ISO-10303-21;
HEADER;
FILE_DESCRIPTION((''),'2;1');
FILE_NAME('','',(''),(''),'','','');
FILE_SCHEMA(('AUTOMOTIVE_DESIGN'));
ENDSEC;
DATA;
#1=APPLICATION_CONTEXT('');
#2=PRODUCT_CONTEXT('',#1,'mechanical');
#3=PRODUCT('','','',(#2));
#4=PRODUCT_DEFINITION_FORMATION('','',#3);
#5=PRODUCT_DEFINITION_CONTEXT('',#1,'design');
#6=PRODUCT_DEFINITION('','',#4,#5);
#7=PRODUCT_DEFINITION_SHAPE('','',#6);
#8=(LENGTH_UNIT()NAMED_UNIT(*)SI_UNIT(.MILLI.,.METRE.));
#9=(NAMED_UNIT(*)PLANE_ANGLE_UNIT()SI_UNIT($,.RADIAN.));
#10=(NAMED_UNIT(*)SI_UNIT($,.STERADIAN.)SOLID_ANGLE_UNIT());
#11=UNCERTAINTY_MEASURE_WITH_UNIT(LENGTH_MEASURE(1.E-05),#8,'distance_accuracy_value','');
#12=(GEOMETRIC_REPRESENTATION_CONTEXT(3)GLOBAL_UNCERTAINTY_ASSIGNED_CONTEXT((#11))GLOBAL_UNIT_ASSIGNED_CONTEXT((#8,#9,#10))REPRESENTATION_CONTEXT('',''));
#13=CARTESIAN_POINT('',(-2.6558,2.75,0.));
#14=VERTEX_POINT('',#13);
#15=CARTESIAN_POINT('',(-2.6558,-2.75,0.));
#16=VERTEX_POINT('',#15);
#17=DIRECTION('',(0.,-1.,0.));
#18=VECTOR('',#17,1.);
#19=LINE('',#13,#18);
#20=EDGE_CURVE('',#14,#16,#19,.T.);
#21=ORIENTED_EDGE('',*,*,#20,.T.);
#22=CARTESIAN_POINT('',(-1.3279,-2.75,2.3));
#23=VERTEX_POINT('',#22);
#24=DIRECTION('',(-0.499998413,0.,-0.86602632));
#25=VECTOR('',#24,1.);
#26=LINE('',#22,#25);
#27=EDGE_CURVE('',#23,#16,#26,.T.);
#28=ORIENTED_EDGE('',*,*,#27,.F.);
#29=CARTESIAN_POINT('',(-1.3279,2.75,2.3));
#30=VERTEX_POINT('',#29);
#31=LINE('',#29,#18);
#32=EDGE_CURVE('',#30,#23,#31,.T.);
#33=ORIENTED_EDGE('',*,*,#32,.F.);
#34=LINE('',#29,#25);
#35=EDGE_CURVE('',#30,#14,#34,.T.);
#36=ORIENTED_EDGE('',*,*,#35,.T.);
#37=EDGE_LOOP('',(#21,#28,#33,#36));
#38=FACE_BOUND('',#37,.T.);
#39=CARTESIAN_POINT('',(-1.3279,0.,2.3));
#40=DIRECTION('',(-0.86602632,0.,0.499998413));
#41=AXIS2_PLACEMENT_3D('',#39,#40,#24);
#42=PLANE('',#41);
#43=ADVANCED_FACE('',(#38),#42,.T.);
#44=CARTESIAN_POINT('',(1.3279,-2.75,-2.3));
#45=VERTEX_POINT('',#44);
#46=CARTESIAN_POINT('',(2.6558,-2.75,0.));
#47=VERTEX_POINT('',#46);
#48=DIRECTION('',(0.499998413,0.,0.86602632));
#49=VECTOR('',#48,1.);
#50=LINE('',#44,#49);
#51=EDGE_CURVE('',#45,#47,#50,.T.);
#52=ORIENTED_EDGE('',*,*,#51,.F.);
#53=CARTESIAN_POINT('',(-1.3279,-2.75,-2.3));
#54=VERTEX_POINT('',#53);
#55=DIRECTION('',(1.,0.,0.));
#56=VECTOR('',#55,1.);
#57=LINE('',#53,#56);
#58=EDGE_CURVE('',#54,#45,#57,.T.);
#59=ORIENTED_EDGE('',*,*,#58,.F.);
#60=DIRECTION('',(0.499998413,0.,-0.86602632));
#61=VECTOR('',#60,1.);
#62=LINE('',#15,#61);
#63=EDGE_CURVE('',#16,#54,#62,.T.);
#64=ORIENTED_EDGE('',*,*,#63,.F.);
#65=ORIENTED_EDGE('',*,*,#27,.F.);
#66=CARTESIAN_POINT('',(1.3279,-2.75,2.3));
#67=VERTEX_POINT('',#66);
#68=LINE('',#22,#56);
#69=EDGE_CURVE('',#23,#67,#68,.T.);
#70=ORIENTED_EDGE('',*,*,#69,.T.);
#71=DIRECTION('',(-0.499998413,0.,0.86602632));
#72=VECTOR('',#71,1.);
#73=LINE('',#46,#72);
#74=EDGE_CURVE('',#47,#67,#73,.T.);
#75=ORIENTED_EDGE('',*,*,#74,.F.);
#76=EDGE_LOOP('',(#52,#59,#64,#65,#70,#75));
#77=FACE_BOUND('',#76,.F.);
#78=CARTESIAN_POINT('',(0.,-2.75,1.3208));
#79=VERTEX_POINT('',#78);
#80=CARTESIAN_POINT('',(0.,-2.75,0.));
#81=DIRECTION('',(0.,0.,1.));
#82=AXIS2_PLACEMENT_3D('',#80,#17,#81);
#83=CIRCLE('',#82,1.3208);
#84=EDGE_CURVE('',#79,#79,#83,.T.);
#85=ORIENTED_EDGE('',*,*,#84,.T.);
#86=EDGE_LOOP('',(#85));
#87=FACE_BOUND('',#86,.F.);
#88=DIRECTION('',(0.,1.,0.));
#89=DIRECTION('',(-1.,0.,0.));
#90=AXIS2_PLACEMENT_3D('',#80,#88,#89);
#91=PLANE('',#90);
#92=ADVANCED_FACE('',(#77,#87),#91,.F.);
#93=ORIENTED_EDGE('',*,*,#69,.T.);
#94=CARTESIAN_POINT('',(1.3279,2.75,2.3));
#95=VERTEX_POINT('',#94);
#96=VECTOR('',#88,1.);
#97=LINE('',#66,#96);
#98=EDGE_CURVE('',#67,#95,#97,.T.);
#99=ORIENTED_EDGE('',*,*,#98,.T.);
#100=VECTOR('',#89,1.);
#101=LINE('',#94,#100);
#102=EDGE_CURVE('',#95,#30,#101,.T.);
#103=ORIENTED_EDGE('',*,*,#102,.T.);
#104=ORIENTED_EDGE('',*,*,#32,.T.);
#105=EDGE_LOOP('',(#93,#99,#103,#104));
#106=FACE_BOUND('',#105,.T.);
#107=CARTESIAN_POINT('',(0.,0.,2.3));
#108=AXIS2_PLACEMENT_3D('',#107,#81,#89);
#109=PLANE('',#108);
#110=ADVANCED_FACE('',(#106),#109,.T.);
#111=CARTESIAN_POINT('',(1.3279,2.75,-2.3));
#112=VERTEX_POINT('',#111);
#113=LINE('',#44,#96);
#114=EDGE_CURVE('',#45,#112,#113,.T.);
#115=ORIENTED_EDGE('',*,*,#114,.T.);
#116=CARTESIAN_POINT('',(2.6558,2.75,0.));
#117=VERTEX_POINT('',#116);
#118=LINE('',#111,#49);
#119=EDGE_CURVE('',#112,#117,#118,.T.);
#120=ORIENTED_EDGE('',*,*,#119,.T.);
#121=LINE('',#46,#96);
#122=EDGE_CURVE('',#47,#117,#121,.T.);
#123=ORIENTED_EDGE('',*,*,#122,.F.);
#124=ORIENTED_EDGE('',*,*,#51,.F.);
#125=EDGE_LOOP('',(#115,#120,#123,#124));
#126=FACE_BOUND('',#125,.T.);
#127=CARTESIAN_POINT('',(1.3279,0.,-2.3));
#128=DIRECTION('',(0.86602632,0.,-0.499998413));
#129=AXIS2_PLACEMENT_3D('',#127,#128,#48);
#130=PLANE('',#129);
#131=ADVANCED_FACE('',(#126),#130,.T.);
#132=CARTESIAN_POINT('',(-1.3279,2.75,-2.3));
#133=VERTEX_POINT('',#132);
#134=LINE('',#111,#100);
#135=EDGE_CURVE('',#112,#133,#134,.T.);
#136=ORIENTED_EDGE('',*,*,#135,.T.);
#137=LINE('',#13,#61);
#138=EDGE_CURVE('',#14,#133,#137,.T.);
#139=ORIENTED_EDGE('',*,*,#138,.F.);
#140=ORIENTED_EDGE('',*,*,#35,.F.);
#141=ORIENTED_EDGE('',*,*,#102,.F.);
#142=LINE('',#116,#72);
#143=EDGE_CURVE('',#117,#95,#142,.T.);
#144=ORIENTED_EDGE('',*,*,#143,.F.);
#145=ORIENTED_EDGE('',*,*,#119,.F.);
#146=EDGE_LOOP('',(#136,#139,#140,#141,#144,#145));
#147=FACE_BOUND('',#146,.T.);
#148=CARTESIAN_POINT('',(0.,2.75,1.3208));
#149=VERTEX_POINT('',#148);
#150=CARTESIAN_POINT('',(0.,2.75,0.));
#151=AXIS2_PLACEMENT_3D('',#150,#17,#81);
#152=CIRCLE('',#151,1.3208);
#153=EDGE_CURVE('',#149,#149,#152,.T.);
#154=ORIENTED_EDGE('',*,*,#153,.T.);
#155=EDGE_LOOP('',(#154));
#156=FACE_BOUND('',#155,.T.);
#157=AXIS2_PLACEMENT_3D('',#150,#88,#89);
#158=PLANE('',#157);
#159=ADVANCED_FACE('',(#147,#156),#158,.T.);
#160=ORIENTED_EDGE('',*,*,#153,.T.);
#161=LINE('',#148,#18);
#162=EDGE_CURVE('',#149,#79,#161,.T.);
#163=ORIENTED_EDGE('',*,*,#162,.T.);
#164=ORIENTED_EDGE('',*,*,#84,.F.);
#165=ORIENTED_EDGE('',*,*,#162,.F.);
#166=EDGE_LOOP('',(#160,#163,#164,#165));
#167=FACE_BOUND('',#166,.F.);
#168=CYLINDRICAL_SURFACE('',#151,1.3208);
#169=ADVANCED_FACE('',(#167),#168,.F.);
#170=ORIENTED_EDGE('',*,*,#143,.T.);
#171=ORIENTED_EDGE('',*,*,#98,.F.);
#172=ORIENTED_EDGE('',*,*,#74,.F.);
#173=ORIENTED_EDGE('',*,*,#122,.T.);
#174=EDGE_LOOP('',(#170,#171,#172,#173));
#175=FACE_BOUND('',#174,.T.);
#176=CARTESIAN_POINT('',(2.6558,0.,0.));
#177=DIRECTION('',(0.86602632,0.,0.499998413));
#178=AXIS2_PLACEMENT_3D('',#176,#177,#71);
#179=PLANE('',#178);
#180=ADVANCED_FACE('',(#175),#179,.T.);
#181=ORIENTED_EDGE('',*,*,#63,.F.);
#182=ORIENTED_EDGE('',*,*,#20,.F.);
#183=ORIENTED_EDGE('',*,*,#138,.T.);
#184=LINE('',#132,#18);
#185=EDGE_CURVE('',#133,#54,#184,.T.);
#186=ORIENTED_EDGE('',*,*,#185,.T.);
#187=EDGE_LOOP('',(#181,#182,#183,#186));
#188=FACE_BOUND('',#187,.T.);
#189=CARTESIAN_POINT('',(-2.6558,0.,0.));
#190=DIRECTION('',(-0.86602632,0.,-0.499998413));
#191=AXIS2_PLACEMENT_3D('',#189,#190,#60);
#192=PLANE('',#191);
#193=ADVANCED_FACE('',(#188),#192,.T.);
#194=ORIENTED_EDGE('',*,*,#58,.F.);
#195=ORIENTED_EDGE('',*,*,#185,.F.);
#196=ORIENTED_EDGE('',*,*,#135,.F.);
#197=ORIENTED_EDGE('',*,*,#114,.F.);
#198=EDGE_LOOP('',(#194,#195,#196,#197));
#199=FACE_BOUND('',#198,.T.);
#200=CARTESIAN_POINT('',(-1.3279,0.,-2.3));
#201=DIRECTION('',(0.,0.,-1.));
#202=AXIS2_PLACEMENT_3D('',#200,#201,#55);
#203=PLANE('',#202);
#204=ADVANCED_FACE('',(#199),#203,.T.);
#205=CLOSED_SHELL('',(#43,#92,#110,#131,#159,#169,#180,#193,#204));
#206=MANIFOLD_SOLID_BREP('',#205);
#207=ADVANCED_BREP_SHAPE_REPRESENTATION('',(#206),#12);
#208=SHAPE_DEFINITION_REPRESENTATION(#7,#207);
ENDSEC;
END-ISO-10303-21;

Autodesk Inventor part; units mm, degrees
ref_plane "YZ Plane" through (0, 0, 0) normal (1, 0, 0) x (0, 1, 0)
ref_plane "XZ Plane" through (0, 0, 0) normal (0, 1, 0) x (-1, 0, 0)
ref_plane "XY Plane" through (0, 0, 0) normal (0, 0, 1) x (1, 0, 0)
sketch "Skizze1" plane through (0, 0, 0) normal (0, 1, 0) x (-1, 0, 0)
  line L0 (2.6558, 0) -> (1.3279, -2.3)
  line L1 (1.3279, -2.3) -> (-1.3279, -2.3)
  line L2 (-1.3279, -2.3) -> (-2.6558, 0)
  line L3 (-2.6558, 0) -> (-1.3279, 2.3)
  line L4 (-1.3279, 2.3) -> (1.3279, 2.3)
  line L5 (1.3279, 2.3) -> (2.6558, 0)
  line L6 (0, -3.22) -> (0, 3.22) projected
  line L7 (-3.7181, 0) -> (3.7181, 0) projected
  point P0 (0, 0)
  point P1 (0, 0)
  dimension "d0" = 4.6
extrude "Extrusion1" add sketch "Skizze1" along normal mid plane 5.5
sketch "Skizze2" plane through (0, 2.75, 0) normal (0, 1, 0) x (1, 0, 0)
  point P0 (0, 0)
  point P1 (0, 0)
hole "Bohrung1" at (0, 2.75, 0) direction (0, -1, 0) diameter 2.6416 end through all thread size "6-32 UNC" class "2B" standard "ANSI Unified Screw Threads"
properties part number "22_Hexnut_5mm" material "Messing, weicher Gelbton"
